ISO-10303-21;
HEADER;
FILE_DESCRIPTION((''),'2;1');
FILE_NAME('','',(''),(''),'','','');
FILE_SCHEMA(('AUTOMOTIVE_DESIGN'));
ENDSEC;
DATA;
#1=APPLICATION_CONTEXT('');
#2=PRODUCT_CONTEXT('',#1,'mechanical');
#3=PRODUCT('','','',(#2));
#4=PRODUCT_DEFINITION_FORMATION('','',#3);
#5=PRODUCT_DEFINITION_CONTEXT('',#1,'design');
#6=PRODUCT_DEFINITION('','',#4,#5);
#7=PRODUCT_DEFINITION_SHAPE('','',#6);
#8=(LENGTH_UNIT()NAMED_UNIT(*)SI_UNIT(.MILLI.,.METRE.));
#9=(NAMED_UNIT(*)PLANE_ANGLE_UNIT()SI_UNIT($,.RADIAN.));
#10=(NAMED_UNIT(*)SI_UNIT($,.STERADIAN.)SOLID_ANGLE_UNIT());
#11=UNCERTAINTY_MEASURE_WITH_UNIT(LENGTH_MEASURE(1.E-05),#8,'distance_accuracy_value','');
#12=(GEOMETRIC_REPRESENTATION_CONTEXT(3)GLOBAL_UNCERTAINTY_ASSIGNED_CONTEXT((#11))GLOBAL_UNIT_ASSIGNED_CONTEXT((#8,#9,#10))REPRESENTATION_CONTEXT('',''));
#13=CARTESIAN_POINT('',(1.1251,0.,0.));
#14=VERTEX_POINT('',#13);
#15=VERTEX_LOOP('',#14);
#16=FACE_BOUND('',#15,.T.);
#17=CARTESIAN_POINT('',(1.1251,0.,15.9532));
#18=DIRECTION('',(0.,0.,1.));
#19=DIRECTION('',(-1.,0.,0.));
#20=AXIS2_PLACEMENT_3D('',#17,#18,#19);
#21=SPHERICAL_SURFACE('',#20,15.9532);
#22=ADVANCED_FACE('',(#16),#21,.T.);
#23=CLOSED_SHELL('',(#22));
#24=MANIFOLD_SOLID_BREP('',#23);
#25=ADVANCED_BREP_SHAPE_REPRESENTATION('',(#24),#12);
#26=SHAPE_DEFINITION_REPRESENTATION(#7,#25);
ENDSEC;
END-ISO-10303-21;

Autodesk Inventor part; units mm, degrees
ref_plane "YZ Plane" through (0, 0, 0) normal (1, 0, 0) x (0, 1, 0)
ref_plane "XZ Plane" through (0, 0, 0) normal (0, 1, 0) x (-1, 0, 0)
ref_plane "XY Plane" through (0, 0, 0) normal (0, 0, 1) x (1, 0, 0)
sketch "Sketch1" plane through (0, 0, 0) normal (0, 0, 1) x (1, 0, 0)
  point P0 (0, 0)
sketch "Sketch2" plane through (0, 0, 0) normal (0, 1, 0) x (-1, 0, 0)
  line L0 (-3, 0) -> (1, 0) projected
  line L1 (-3, 0) -> (1, 0) projected
  circle A0 centre (-1.1251, 15.9532) radius 15.9532
  line L2 (-1.1251, 0) -> (-1.1251, 31.9064)
revolve "Revolution1" add sketch "Sketch2" angle 360 about axis through (1.1251, 0, 0) along (0, 0, 1)
properties part number "AtwoodsBall"
